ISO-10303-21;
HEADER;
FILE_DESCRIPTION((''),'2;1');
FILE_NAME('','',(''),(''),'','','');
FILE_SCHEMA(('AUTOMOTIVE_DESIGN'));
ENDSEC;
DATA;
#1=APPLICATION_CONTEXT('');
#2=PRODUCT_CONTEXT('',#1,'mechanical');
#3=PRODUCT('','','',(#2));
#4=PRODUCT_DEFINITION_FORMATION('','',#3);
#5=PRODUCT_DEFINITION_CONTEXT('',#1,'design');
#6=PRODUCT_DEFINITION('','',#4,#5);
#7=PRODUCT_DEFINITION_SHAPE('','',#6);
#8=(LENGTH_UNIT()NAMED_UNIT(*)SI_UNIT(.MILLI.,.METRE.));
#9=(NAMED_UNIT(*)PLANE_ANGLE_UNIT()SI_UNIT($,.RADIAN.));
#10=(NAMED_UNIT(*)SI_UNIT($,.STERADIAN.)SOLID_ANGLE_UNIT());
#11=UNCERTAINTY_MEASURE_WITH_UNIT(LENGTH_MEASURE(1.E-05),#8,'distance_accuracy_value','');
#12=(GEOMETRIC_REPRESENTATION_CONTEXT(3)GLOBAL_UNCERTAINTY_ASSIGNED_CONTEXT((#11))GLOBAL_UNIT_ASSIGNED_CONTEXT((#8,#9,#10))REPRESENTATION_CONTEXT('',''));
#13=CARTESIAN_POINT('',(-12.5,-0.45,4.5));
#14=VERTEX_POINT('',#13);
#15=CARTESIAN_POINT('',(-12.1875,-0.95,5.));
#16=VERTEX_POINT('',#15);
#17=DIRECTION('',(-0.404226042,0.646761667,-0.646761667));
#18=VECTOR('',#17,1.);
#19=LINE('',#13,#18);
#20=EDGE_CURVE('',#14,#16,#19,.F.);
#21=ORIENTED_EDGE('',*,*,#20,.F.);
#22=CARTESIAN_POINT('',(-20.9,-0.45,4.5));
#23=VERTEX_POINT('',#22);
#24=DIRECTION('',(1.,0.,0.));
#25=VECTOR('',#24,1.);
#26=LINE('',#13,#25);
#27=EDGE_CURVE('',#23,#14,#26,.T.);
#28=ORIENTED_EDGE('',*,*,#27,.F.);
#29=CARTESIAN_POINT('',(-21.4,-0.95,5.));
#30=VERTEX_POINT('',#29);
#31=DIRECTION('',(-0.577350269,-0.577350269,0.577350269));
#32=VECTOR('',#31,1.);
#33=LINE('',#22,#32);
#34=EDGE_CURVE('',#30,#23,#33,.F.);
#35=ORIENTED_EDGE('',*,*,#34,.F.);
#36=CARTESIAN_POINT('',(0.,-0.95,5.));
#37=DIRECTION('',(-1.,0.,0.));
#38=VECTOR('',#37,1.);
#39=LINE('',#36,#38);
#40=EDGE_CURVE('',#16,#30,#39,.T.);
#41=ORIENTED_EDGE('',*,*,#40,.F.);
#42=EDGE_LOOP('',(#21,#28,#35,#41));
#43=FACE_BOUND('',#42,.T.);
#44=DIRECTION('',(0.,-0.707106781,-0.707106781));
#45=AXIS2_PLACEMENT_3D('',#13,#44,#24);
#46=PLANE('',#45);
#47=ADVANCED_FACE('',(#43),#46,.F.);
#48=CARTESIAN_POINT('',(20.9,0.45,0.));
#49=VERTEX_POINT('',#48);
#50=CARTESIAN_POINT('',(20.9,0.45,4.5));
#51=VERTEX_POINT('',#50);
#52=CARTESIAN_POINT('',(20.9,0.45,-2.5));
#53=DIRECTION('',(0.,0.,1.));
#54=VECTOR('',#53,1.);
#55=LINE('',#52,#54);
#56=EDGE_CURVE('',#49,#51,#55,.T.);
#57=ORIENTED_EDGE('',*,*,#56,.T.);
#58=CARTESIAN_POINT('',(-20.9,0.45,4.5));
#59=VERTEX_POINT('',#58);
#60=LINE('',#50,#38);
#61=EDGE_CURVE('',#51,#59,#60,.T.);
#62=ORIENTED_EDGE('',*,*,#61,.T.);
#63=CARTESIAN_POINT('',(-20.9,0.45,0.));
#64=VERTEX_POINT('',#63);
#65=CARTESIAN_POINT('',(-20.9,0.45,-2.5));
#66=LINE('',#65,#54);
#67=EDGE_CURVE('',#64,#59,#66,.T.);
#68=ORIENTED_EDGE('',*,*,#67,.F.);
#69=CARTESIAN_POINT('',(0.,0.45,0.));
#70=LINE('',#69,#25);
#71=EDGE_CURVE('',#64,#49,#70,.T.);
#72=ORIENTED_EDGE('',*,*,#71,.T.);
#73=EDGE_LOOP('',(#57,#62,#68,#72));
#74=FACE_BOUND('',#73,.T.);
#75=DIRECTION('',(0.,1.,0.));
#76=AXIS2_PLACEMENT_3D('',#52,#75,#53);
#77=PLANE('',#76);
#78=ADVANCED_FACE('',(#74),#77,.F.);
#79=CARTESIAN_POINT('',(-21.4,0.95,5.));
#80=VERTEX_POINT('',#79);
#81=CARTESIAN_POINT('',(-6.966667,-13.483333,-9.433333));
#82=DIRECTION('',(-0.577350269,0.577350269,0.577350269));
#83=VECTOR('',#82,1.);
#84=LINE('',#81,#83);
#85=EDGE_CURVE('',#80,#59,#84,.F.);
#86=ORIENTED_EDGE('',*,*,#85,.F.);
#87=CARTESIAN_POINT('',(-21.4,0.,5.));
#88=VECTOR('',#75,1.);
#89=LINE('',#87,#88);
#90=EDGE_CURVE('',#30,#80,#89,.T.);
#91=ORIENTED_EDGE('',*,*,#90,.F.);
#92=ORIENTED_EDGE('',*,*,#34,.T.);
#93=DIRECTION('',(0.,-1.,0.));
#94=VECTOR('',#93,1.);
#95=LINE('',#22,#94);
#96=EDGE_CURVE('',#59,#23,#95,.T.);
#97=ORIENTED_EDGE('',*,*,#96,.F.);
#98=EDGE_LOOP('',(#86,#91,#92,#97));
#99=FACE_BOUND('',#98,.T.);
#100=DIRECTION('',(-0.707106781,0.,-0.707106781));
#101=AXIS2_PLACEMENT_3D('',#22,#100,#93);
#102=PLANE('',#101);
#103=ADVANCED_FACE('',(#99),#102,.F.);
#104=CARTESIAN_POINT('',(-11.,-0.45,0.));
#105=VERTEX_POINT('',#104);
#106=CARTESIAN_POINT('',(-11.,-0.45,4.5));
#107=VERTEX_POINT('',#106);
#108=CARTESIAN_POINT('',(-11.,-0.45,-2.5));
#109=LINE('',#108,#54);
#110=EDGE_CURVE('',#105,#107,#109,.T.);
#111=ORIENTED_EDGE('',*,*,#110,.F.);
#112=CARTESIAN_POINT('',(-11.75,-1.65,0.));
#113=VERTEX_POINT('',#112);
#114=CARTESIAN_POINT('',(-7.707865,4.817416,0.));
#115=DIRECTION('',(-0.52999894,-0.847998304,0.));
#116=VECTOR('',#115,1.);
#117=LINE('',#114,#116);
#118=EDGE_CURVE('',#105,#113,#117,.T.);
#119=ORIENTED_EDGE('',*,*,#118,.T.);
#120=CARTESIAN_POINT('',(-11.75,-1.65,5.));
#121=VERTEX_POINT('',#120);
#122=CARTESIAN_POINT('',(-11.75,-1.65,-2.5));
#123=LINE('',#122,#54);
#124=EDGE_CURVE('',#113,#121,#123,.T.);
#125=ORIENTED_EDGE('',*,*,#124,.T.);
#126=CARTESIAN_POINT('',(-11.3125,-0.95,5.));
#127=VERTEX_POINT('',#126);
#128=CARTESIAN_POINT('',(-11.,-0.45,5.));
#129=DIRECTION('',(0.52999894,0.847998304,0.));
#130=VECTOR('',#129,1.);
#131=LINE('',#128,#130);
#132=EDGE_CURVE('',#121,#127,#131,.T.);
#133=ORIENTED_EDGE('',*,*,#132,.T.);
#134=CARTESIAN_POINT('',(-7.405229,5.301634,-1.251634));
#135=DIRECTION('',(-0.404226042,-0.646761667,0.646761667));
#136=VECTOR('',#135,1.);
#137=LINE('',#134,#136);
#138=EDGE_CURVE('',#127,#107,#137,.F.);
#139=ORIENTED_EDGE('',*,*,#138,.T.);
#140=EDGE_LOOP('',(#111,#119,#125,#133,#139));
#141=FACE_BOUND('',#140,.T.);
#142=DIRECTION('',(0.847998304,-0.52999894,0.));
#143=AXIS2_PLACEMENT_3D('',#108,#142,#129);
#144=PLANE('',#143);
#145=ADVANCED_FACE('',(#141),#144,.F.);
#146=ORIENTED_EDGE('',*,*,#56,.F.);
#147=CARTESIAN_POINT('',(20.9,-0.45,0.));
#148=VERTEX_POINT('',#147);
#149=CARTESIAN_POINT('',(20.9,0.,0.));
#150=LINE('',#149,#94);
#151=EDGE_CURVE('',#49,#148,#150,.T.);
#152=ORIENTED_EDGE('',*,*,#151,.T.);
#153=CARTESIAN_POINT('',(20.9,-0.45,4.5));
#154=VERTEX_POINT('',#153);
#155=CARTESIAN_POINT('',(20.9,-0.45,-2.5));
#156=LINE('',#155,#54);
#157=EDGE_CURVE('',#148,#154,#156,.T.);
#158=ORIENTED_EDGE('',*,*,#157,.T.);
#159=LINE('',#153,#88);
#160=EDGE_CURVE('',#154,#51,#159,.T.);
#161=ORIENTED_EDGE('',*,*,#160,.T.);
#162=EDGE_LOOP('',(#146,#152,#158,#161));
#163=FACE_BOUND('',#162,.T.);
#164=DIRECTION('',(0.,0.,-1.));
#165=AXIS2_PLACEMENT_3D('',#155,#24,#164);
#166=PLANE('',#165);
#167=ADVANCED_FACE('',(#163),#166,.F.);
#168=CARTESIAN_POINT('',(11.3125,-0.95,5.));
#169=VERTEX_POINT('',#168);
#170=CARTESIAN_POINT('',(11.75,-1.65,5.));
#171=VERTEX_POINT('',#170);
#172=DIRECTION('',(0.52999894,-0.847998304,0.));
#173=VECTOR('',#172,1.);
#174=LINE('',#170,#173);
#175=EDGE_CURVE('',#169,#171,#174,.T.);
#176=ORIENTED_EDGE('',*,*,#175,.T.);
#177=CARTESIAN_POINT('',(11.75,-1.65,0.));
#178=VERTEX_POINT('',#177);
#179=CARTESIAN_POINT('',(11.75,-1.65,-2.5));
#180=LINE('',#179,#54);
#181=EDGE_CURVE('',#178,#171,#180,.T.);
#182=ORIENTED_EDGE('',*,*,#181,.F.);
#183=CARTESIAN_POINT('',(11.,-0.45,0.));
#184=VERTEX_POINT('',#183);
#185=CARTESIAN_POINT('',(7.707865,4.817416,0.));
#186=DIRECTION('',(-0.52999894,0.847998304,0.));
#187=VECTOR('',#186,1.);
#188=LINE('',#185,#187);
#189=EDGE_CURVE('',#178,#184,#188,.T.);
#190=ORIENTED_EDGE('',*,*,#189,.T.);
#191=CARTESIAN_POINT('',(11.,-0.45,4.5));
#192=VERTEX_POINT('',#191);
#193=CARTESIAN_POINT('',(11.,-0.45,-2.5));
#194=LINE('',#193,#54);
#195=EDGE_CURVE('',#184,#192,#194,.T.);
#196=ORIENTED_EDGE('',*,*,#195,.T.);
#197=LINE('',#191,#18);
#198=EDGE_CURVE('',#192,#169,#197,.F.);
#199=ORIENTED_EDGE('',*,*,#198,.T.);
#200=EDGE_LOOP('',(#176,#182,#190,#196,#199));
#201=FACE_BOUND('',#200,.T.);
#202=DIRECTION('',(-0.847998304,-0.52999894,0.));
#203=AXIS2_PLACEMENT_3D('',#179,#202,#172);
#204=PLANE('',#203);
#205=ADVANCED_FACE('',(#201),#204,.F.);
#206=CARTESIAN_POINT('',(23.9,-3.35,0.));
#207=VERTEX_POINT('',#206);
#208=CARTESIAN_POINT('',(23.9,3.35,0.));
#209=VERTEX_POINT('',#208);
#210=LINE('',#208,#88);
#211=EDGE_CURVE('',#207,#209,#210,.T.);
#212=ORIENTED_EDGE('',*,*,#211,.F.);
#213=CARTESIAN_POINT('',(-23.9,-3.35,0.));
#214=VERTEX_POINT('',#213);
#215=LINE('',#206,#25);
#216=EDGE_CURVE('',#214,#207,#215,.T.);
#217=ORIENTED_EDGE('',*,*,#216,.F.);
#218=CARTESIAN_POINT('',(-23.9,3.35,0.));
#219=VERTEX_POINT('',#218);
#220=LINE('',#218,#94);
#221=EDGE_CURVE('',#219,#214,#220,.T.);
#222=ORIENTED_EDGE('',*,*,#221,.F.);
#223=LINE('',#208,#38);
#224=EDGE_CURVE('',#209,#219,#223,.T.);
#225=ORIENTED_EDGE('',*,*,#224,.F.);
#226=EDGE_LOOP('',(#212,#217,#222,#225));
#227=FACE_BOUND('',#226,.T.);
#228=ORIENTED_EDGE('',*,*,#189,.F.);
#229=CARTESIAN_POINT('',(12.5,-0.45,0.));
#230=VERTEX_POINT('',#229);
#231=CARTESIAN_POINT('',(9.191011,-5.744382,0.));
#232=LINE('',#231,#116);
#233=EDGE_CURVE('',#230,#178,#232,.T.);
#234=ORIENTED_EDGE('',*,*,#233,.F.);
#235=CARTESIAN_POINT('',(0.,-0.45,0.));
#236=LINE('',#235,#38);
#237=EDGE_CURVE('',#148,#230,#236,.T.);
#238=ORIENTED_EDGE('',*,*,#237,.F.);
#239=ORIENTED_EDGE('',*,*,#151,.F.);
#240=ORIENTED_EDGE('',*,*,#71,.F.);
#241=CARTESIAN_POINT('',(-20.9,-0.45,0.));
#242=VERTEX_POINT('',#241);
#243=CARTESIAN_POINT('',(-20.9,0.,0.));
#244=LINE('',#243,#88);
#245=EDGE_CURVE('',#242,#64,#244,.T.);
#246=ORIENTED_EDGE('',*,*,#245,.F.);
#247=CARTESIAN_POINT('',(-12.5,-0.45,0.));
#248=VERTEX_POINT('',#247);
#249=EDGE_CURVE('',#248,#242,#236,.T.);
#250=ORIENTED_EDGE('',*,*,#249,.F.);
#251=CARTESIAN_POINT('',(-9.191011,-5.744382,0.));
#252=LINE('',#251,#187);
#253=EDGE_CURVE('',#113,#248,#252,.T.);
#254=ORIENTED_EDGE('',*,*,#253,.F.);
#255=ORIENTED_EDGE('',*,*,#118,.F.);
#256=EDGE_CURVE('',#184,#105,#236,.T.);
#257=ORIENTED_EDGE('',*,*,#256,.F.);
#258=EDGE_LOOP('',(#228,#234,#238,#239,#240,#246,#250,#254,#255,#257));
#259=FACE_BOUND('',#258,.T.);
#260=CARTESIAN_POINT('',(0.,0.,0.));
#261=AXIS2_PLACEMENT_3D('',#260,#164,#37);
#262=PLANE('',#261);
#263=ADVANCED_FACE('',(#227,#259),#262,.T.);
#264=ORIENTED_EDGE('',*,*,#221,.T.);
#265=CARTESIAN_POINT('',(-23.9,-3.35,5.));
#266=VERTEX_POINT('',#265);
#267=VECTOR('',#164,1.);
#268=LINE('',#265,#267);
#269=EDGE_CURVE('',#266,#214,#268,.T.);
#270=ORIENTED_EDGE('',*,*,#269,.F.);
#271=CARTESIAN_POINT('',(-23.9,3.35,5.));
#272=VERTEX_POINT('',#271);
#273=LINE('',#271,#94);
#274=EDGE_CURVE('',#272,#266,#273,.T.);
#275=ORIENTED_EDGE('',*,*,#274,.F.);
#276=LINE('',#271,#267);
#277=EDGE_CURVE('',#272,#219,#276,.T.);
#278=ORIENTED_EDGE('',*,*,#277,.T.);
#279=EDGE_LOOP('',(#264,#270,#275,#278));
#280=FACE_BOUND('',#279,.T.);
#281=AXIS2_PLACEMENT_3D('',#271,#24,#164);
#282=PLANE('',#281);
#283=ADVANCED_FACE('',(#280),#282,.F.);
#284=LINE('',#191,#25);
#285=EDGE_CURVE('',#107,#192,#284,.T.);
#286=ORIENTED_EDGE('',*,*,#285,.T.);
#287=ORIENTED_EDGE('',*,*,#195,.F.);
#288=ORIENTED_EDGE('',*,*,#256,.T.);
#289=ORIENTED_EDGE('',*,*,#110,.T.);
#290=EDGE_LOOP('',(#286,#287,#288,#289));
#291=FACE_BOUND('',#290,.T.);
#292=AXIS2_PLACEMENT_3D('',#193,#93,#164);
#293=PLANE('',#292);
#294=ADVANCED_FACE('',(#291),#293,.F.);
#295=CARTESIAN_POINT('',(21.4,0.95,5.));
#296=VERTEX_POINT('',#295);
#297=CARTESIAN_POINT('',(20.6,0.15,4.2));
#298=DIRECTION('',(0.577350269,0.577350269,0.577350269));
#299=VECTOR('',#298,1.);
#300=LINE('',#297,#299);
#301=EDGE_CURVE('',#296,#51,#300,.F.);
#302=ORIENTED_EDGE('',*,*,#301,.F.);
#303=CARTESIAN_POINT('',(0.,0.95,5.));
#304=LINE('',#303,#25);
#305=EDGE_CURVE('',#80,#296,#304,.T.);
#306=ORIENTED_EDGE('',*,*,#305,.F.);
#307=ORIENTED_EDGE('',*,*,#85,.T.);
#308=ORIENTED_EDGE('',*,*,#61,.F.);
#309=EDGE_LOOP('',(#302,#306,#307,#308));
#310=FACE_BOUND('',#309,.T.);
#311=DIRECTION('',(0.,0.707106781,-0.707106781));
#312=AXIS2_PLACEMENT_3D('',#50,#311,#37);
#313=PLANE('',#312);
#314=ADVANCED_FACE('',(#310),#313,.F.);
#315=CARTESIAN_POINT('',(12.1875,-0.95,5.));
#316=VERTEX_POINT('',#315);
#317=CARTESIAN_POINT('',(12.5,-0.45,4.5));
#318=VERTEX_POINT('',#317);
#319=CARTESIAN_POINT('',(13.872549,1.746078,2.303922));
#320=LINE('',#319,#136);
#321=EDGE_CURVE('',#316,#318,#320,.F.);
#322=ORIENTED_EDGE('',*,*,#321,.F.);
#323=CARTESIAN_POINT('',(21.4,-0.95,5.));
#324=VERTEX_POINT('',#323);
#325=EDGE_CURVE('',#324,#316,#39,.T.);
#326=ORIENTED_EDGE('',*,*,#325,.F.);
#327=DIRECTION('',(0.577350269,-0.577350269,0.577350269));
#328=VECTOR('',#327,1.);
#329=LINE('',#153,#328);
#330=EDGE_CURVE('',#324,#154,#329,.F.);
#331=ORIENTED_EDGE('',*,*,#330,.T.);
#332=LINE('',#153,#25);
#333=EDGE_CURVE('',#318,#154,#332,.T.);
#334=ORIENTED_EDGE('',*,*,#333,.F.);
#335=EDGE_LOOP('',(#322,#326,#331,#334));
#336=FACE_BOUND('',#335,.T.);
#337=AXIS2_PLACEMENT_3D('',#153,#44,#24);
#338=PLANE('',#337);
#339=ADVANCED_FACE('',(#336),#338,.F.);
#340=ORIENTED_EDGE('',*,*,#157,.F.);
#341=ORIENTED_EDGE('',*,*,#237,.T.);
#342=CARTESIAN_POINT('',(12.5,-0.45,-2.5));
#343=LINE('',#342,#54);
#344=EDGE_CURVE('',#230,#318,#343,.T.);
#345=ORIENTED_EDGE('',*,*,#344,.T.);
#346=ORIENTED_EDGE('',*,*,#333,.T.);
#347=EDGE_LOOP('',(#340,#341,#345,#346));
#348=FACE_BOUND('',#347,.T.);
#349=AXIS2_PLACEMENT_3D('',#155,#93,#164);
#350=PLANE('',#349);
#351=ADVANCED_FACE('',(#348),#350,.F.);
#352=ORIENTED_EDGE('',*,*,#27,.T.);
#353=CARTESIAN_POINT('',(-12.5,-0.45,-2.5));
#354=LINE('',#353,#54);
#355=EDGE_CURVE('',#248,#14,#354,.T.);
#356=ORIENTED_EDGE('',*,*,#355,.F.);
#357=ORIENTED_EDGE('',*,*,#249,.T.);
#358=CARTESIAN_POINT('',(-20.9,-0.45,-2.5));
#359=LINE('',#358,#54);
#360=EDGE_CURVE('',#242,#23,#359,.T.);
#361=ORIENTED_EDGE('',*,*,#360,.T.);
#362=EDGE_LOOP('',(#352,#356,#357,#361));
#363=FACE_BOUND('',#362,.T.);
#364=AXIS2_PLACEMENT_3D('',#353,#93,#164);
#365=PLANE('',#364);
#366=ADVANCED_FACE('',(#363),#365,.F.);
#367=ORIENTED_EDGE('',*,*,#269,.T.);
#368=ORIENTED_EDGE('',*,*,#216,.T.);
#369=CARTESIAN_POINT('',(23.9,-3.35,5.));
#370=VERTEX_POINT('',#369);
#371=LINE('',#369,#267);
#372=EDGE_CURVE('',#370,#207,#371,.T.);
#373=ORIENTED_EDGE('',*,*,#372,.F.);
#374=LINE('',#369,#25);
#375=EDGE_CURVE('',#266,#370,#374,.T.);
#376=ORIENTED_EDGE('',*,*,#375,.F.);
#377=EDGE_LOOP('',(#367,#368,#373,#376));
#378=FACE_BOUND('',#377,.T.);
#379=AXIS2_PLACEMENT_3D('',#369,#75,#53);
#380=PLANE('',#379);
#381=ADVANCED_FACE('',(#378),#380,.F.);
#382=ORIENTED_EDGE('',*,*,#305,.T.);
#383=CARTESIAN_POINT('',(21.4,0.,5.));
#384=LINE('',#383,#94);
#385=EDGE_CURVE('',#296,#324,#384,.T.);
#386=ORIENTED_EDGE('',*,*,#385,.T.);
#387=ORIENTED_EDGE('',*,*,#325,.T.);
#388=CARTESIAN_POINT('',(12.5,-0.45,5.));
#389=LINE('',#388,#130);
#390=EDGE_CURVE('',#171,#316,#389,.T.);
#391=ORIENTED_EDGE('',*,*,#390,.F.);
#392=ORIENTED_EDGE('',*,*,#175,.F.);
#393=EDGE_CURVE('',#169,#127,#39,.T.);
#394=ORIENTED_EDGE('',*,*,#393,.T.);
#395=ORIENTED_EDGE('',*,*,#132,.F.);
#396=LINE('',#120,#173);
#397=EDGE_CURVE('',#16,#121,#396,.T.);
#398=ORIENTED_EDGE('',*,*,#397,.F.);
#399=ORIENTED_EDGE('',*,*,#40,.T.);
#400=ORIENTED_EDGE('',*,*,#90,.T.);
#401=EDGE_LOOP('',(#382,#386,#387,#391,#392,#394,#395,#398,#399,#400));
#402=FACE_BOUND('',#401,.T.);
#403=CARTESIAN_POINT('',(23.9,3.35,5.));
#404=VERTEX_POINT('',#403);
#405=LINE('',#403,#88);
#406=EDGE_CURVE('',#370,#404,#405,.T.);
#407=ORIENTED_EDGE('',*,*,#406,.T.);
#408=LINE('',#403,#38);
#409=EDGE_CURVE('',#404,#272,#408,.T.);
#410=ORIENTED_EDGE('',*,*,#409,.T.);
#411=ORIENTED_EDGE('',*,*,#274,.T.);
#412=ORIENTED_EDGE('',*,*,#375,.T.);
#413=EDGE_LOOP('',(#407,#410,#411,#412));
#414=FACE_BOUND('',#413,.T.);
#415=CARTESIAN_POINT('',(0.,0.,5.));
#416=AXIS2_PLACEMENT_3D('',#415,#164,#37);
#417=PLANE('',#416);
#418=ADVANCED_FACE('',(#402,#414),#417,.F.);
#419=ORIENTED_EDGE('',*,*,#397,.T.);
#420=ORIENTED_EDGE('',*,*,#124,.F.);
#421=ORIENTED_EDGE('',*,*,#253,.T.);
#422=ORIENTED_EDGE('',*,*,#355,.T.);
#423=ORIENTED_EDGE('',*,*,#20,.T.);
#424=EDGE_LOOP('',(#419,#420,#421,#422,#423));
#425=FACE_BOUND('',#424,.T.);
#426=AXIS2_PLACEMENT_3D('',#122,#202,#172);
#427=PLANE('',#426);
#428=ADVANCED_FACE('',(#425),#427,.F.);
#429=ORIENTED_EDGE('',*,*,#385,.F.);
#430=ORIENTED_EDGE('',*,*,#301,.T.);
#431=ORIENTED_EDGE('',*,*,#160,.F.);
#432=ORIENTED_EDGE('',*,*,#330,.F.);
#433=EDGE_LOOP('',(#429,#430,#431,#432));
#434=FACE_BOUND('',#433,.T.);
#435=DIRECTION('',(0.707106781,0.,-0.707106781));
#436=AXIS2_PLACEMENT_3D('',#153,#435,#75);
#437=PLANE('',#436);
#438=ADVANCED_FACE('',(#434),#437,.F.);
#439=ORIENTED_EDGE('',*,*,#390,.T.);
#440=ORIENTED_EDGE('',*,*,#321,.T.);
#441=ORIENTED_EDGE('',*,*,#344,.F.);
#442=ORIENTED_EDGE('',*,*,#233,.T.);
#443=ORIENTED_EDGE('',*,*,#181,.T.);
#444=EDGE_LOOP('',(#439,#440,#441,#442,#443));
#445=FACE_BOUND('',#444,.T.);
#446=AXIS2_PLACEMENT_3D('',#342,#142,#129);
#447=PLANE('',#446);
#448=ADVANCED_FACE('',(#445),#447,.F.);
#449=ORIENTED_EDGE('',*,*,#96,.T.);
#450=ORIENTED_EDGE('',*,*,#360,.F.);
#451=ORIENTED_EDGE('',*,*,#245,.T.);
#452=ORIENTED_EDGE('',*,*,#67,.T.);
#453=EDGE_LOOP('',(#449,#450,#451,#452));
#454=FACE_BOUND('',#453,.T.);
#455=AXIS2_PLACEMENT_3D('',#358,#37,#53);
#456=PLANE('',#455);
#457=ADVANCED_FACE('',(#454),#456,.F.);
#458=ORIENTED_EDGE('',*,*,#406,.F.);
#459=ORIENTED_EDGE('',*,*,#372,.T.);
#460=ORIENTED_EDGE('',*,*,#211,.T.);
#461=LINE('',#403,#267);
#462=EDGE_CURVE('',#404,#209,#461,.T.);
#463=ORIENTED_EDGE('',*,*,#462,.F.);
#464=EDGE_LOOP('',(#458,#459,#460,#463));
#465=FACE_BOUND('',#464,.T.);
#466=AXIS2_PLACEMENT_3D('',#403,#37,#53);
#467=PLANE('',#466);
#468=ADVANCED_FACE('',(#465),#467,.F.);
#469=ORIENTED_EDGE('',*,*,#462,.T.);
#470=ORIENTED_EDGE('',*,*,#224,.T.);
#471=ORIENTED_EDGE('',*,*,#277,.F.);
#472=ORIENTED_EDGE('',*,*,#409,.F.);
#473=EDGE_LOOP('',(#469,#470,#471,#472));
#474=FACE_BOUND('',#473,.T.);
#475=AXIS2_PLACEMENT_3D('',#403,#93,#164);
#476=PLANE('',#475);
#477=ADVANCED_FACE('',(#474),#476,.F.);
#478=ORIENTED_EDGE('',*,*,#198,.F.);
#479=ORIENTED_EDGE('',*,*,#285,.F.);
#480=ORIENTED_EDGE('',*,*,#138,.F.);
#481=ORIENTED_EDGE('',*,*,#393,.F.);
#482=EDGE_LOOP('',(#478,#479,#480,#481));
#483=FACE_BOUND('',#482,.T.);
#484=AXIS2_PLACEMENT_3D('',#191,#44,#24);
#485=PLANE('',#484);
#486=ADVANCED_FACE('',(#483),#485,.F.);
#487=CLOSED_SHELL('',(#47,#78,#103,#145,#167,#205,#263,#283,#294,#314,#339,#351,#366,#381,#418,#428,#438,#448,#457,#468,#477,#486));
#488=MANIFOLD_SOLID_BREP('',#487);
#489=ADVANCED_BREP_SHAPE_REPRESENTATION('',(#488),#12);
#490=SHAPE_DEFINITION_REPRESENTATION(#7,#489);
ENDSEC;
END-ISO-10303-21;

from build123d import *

# Parameters (mm, degrees)
SKETCH_1_W          = 47.8
SKETCH_1_H          = 6.7
EXTRUDE_1_DEPTH     = 5
CUT_EXTRUDE_1_DEPTH = 7.5
CHAMFER_1_SIZE      = 0.5


with BuildPart() as part:
    # Эскиз1 → Бобышка-Вытянуть1 (new body)
    with BuildSketch(Plane(origin=(0, 66.754264805, 0), x_dir=(-1, 0, 0), z_dir=(0, 0, 1))):
        with Locations((0, 66.754264805)):
            Rectangle(SKETCH_1_W, SKETCH_1_H)
    extrude(amount=EXTRUDE_1_DEPTH)

    # Эскиз6 → Вырез-Вытянуть1 (cut)
    with BuildSketch(Plane(origin=(0, 66.754264805, 5), x_dir=(-1, 0, 0), z_dir=(0, 0, 1))):
        Polygon((-20.9, 67.204264805), (-12.5, 67.204264805), (-11.75, 68.404264805), (-11, 67.204264805), (11, 67.204264805), (11.75, 68.404264805), (12.5, 67.204264805), (20.9, 67.204264805), (20.9, 66.304264805), (-20.9, 66.304264805), align=None)
    extrude(amount=-CUT_EXTRUDE_1_DEPTH, mode=Mode.SUBTRACT)

    # Фаска1
    chamfer_1_edges = [part.edges().sort_by_distance(p)[0] for p in [
        (16.7, -0.45, 5),
        (20.9, 0, 5),
        (0, 0.45, 5),
        (-20.9, 0, 5),
        (-16.7, -0.45, 5),
        (0, -0.45, 5),
    ]]
    chamfer(chamfer_1_edges, length=CHAMFER_1_SIZE)


solid = part.part
